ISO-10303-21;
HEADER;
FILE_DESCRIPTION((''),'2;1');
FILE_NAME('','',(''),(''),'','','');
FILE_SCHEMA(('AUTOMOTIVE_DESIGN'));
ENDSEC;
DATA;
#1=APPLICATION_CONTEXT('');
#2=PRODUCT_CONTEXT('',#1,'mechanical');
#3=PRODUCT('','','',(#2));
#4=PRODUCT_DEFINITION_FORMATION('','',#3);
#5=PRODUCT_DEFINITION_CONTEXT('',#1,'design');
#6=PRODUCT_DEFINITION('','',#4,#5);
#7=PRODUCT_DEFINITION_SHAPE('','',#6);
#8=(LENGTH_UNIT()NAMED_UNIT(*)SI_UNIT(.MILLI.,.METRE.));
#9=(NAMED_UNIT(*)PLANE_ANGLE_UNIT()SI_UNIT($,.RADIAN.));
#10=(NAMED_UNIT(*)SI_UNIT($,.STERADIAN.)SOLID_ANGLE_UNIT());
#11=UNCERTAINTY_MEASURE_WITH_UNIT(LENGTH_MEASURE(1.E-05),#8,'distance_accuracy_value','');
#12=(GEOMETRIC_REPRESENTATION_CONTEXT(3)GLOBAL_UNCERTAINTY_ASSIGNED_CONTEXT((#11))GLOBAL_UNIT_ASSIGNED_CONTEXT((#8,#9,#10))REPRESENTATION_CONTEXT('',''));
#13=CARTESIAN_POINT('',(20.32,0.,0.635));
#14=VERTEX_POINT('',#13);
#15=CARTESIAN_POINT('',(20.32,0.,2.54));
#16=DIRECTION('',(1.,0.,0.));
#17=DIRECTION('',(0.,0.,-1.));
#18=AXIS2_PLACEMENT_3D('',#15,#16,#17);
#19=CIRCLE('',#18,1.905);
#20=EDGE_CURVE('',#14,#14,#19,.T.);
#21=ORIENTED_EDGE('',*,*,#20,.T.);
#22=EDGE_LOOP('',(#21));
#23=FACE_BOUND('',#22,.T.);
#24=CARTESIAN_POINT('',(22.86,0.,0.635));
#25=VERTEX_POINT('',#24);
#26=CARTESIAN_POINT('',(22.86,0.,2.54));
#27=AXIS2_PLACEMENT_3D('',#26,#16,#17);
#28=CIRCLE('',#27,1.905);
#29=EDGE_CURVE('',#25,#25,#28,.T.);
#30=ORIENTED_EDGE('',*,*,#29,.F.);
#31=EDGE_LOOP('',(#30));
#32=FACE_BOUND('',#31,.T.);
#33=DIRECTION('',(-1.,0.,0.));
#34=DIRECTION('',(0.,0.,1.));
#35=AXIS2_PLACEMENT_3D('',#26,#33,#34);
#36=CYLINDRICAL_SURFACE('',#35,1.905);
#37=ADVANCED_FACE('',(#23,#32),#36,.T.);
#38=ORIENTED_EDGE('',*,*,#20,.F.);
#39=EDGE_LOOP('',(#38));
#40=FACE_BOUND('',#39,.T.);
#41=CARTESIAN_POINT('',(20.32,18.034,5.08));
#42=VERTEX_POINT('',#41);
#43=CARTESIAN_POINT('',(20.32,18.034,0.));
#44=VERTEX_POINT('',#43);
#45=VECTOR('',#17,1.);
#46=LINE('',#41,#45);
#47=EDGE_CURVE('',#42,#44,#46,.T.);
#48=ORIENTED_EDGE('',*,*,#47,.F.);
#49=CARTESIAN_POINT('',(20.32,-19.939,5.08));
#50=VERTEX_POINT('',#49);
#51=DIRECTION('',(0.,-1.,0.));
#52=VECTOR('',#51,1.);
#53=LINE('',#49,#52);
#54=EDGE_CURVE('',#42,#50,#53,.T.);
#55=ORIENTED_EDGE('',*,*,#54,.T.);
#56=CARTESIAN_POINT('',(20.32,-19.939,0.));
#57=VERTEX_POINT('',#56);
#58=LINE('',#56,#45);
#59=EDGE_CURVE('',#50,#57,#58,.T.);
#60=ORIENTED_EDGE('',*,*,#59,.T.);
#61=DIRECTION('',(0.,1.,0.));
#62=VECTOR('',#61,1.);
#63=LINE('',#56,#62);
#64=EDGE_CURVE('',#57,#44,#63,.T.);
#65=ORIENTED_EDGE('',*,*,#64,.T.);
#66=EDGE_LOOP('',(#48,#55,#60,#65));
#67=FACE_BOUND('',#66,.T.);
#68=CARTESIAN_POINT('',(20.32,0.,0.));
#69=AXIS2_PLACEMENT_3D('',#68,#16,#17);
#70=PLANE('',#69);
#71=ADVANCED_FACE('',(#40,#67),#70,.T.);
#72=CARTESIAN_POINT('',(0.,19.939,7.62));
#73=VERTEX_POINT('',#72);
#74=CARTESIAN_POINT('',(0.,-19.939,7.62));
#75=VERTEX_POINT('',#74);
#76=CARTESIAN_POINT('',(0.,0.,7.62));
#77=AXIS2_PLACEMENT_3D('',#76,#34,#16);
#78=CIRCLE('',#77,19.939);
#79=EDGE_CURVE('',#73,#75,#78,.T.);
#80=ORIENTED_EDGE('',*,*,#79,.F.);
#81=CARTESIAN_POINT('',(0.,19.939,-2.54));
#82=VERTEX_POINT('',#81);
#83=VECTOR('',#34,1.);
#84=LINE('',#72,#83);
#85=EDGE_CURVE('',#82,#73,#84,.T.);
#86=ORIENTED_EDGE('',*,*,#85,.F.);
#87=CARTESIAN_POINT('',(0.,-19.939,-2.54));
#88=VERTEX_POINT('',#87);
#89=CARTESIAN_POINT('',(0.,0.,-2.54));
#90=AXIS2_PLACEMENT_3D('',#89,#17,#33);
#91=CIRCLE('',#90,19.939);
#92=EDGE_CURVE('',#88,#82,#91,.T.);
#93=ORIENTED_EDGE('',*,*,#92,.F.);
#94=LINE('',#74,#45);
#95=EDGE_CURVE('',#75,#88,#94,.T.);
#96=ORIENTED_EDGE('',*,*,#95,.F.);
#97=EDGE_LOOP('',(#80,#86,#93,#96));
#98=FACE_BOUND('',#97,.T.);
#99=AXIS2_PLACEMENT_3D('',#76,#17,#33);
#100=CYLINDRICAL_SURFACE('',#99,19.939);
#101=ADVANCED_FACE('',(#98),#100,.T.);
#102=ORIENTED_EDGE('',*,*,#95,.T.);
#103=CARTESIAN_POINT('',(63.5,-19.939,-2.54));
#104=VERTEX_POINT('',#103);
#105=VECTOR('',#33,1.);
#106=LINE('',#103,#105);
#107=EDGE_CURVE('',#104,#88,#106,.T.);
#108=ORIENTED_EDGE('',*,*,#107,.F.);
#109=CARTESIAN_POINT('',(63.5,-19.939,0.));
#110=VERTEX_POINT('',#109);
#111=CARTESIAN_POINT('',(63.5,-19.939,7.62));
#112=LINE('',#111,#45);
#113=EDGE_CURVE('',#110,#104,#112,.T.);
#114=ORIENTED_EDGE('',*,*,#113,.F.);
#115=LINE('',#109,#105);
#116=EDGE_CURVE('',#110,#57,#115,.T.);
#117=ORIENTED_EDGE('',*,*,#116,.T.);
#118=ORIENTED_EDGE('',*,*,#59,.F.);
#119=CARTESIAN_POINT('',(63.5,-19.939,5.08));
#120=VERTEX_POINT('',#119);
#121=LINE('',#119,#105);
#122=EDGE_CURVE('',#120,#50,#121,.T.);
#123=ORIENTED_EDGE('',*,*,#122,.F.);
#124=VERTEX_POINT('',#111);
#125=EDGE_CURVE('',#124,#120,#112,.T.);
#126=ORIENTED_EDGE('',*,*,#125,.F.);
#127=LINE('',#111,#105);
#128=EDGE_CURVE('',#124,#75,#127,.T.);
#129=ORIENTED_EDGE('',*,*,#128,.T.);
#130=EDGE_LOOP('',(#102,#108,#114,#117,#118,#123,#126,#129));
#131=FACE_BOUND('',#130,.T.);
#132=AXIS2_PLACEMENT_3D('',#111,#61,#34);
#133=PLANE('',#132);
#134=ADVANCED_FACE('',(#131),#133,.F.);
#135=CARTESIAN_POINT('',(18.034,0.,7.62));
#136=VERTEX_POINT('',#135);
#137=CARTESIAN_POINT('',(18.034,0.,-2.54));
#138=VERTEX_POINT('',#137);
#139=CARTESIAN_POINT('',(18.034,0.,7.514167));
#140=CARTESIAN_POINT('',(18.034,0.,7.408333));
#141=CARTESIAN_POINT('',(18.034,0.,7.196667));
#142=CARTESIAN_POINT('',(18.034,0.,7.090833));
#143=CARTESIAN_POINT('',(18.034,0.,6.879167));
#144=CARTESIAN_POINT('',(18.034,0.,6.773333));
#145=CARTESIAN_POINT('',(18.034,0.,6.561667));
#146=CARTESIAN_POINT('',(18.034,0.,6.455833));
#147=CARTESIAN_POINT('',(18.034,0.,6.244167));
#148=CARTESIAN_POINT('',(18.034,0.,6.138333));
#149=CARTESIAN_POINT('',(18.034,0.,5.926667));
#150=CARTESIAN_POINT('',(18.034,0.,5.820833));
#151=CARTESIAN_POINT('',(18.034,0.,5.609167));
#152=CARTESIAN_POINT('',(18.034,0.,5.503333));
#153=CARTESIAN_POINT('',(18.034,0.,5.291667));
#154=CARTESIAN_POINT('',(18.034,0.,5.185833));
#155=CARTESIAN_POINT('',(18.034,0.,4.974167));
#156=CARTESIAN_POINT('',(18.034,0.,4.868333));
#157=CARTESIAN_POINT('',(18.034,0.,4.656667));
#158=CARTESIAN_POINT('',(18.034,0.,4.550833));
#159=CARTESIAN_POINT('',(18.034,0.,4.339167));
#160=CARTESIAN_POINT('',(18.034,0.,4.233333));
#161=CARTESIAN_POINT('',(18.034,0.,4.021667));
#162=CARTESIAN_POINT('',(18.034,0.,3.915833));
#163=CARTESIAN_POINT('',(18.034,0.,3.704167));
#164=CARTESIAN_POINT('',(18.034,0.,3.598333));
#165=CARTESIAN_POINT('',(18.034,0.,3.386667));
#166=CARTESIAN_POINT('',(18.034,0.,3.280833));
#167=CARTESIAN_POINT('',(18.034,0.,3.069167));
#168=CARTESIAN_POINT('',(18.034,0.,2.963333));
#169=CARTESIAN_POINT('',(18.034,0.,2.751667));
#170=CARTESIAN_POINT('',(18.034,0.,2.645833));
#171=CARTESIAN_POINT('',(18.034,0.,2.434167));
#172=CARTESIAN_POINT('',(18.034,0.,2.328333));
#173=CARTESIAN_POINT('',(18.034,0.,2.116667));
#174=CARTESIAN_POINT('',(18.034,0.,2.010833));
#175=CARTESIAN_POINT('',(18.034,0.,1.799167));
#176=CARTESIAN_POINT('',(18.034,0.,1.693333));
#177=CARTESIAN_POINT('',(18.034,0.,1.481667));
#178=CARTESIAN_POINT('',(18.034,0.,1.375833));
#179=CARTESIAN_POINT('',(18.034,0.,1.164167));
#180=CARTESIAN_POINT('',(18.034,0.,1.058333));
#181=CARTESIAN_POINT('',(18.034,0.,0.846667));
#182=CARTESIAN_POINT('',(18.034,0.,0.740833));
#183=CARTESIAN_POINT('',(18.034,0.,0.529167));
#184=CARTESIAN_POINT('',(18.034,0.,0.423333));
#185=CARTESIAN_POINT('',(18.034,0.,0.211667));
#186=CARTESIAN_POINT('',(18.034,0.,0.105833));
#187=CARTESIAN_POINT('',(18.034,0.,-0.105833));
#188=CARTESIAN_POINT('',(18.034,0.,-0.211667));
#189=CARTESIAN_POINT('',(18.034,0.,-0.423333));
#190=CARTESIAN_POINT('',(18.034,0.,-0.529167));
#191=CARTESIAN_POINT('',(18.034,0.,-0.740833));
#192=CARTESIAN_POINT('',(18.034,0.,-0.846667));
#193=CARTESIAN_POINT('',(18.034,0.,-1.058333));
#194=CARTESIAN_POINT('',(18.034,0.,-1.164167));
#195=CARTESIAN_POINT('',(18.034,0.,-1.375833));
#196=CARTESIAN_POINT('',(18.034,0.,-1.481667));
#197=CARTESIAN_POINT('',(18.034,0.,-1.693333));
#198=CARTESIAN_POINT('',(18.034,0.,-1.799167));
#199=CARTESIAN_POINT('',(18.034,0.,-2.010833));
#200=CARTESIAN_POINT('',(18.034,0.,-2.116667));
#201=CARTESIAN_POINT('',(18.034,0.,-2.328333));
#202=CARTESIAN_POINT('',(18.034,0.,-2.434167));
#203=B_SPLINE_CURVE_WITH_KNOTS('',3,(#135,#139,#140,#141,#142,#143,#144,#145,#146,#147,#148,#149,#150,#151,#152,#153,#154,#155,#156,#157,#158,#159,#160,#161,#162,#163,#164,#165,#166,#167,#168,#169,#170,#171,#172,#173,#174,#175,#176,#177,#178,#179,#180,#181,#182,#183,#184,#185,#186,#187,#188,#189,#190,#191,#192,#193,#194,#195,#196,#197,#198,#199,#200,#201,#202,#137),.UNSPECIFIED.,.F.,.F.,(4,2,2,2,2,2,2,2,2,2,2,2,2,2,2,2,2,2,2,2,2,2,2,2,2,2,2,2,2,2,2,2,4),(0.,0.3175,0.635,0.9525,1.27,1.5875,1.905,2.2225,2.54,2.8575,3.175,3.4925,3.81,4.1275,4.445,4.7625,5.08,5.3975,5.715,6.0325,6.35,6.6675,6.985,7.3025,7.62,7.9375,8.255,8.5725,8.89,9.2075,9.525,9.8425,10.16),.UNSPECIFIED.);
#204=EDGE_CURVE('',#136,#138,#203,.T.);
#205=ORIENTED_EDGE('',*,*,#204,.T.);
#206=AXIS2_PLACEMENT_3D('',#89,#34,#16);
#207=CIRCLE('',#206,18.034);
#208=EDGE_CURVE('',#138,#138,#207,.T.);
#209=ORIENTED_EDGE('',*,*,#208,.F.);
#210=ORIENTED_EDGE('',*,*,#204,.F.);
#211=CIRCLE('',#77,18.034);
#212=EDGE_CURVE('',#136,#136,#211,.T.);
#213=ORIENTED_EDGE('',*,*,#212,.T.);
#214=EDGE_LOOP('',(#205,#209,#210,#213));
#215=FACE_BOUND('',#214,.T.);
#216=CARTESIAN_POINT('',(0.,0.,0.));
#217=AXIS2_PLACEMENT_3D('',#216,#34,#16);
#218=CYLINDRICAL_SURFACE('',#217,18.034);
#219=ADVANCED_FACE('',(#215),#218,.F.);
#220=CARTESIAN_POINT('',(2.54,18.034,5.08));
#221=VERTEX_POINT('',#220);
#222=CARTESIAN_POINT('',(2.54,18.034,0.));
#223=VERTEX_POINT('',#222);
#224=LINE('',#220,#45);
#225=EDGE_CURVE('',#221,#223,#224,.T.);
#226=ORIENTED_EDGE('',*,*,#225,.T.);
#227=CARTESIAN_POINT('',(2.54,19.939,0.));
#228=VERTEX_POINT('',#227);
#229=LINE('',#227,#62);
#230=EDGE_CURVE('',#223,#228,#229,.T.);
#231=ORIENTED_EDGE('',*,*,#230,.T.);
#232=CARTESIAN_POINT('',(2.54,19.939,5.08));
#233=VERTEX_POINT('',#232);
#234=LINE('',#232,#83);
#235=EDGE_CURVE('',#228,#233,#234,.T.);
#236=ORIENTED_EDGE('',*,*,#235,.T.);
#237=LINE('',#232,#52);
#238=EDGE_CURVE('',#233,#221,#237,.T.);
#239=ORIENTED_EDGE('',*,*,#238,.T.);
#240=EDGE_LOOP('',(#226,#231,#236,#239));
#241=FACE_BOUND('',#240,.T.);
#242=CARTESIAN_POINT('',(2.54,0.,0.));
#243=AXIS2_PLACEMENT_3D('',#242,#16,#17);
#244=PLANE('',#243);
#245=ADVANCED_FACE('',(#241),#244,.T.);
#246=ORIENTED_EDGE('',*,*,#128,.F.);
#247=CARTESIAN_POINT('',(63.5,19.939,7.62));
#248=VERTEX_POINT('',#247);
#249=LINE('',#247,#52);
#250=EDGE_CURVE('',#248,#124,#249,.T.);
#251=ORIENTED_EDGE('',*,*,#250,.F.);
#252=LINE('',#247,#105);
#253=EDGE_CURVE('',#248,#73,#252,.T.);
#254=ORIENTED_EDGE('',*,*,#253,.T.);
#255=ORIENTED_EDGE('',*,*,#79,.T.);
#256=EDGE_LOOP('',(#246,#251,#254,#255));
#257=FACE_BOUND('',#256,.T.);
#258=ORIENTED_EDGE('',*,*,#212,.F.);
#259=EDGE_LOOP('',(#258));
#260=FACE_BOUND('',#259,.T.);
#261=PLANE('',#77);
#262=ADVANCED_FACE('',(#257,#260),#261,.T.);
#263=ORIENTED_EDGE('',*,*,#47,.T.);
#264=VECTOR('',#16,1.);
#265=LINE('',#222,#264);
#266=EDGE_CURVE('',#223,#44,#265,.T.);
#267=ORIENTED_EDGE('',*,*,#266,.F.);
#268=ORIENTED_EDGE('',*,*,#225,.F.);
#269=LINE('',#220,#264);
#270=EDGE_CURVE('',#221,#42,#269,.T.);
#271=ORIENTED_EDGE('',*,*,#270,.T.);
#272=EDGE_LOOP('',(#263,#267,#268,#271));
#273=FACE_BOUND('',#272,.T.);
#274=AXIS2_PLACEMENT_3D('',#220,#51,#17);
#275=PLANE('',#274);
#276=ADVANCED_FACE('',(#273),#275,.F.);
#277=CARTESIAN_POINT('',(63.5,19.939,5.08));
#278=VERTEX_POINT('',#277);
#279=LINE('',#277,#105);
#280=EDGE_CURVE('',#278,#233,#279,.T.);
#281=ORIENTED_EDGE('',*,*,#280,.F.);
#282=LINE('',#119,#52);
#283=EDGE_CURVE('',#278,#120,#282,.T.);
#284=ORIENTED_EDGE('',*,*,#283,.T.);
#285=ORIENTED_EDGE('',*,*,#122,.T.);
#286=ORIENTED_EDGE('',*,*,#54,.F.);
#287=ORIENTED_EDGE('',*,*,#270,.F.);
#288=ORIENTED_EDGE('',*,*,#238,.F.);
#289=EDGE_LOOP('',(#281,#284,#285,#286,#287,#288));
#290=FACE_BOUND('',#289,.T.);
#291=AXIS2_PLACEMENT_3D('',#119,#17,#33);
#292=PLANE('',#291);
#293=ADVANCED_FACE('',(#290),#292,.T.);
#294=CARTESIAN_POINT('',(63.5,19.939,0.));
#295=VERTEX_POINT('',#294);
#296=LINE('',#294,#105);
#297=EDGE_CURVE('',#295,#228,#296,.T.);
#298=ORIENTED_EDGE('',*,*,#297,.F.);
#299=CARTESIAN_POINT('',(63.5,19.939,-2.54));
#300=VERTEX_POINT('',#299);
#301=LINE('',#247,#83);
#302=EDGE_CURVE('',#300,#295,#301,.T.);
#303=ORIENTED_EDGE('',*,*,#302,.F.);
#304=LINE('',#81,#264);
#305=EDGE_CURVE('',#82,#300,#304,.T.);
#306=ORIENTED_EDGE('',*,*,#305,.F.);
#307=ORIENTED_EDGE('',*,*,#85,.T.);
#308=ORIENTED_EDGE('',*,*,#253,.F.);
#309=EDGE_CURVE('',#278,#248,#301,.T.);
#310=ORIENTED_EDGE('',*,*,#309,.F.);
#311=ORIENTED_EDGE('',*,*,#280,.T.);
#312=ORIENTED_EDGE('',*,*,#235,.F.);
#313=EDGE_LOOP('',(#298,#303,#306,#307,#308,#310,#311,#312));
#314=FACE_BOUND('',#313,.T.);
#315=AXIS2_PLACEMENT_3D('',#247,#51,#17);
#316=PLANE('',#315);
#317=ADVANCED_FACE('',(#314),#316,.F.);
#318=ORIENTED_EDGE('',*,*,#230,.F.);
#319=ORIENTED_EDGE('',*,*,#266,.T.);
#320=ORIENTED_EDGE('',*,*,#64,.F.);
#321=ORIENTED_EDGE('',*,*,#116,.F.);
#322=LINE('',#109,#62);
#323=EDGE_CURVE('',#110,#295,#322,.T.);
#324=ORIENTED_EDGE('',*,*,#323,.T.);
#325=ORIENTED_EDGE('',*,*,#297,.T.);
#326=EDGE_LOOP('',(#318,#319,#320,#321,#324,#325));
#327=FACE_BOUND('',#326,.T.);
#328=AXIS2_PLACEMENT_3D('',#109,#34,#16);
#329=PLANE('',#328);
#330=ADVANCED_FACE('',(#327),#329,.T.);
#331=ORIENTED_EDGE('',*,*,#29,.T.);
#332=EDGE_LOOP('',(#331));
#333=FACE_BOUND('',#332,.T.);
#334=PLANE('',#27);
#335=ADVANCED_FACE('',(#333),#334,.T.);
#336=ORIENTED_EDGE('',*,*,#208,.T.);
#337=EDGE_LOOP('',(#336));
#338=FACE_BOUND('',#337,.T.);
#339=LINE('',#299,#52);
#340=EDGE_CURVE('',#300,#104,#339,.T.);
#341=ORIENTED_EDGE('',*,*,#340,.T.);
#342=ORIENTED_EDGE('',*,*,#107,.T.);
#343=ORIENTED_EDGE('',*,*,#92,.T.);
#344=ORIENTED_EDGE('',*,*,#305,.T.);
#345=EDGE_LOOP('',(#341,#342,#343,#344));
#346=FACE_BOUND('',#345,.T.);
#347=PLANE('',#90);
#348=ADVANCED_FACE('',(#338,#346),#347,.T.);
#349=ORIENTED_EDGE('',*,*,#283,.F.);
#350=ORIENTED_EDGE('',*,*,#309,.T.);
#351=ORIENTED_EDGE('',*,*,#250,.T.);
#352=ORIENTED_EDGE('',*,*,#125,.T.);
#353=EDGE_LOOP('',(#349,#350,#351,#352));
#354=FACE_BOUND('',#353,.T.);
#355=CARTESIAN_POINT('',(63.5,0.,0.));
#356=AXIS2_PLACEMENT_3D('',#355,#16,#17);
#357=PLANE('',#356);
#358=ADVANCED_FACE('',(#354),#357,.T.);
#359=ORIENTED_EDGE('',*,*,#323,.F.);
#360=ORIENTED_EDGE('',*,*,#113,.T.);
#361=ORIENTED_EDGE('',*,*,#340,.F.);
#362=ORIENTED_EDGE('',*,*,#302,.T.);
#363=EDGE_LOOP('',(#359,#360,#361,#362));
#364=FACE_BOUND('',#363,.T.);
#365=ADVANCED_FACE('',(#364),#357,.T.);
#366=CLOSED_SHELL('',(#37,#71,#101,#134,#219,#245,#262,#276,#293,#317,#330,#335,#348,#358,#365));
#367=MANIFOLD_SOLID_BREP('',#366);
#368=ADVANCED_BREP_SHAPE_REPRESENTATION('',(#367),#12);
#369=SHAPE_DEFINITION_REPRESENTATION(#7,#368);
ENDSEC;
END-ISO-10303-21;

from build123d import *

# Parameters (mm, degrees)
SKETCH1_R                = 19.939
CIRCLE_EXTRUDE_DEPTH     = 7.62
SKETCH3_W                = 7.62
SKETCH3_H                = 39.878
RECTANGLE_EXTRUDE_DEPTH  = 63.5
SKETCH2_R                = 18.034
CRICLE_CUT_DEPTH         = 67.991627245
EXTENSION_START          = 2.54
EXTENSION_DEPTH          = 2.54
SKETCH15_R               = 18.034
CIRCLE_CUT_2_DEPTH       = 67.991627245
SKETCH16_W               = 5.08
SKETCH16_H               = 39.878
MIDDLE_CUT_DEPTH         = 49.167836997
SKETCH18_W               = 5.08
SKETCH18_H               = 1.905
CUT_EXTRUDE5_DEPTH       = 17.78
SKETCH19_R               = 1.905
FOR_SPRING_EXTRUDE_DEPTH = 2.54


with BuildPart() as part:
    # Sketch1 → circle extrude (new body)
    with BuildSketch(Plane.XY):
        with Locations(Location((0, 0, 0), (0, 0, 180))):
            Circle(SKETCH1_R)
    extrude(amount=CIRCLE_EXTRUDE_DEPTH)

    # Sketch3 → rectangle extrude (add)
    with BuildSketch(Plane(origin=(0, 0, 0), x_dir=(0, 0, -1), z_dir=(1, 0, 0))):
        with Locations((-3.81, 0)):
            Rectangle(SKETCH3_W, SKETCH3_H)
    extrude(amount=RECTANGLE_EXTRUDE_DEPTH)

    # Sketch2 → cricle cut (cut, through all)
    with BuildSketch(Plane.XY.offset(7.62)):
        Circle(SKETCH2_R)
    extrude(amount=-CRICLE_CUT_DEPTH, mode=Mode.SUBTRACT)

    # Sketch10 → extension (add)
    with BuildSketch(Plane(origin=(0, 0, 0), x_dir=(-1, 0, 0), z_dir=(0, 0, -1)).offset(EXTENSION_START)):
        with BuildLine():
            Line((0, 19.939), (-63.5, 19.939))
            Line((-63.5, 19.939), (-63.5, -19.939))
            Line((-63.5, -19.939), (0, -19.939))
            ThreePointArc((0, -19.939), (19.939, 0), (0, 19.939))
        make_face()
    extrude(amount=-EXTENSION_DEPTH)

    # Sketch15 → circle cut 2 (cut, through all)
    with BuildSketch(Plane.XY):
        Circle(SKETCH15_R)
    extrude(amount=-CIRCLE_CUT_2_DEPTH, mode=Mode.SUBTRACT)

    # Sketch16 → middle cut (cut, through all)
    with BuildSketch(Plane(origin=(20.32, 0, 0), x_dir=(0, 0, -1), z_dir=(1, 0, 0))):
        with Locations((-2.54, 0)):
            Rectangle(SKETCH16_W, SKETCH16_H)
    extrude(amount=MIDDLE_CUT_DEPTH, mode=Mode.SUBTRACT)

    # Sketch18 → Cut-Extrude5 (cut)
    with BuildSketch(Plane(origin=(20.32, 0, 0), x_dir=(0, 0, -1), z_dir=(1, 0, 0))):
        with Locations((-2.54, 18.9865)):
            Rectangle(SKETCH18_W, SKETCH18_H)
    extrude(amount=-CUT_EXTRUDE5_DEPTH, mode=Mode.SUBTRACT)

    # Sketch19 → for spring extrude (add)
    with BuildSketch(Plane(origin=(20.32, 0, 0), x_dir=(0, 0, -1), z_dir=(1, 0, 0))):
        with Locations((-2.54, 0)):
            Circle(SKETCH19_R)
    extrude(amount=FOR_SPRING_EXTRUDE_DEPTH)


solid = part.part
